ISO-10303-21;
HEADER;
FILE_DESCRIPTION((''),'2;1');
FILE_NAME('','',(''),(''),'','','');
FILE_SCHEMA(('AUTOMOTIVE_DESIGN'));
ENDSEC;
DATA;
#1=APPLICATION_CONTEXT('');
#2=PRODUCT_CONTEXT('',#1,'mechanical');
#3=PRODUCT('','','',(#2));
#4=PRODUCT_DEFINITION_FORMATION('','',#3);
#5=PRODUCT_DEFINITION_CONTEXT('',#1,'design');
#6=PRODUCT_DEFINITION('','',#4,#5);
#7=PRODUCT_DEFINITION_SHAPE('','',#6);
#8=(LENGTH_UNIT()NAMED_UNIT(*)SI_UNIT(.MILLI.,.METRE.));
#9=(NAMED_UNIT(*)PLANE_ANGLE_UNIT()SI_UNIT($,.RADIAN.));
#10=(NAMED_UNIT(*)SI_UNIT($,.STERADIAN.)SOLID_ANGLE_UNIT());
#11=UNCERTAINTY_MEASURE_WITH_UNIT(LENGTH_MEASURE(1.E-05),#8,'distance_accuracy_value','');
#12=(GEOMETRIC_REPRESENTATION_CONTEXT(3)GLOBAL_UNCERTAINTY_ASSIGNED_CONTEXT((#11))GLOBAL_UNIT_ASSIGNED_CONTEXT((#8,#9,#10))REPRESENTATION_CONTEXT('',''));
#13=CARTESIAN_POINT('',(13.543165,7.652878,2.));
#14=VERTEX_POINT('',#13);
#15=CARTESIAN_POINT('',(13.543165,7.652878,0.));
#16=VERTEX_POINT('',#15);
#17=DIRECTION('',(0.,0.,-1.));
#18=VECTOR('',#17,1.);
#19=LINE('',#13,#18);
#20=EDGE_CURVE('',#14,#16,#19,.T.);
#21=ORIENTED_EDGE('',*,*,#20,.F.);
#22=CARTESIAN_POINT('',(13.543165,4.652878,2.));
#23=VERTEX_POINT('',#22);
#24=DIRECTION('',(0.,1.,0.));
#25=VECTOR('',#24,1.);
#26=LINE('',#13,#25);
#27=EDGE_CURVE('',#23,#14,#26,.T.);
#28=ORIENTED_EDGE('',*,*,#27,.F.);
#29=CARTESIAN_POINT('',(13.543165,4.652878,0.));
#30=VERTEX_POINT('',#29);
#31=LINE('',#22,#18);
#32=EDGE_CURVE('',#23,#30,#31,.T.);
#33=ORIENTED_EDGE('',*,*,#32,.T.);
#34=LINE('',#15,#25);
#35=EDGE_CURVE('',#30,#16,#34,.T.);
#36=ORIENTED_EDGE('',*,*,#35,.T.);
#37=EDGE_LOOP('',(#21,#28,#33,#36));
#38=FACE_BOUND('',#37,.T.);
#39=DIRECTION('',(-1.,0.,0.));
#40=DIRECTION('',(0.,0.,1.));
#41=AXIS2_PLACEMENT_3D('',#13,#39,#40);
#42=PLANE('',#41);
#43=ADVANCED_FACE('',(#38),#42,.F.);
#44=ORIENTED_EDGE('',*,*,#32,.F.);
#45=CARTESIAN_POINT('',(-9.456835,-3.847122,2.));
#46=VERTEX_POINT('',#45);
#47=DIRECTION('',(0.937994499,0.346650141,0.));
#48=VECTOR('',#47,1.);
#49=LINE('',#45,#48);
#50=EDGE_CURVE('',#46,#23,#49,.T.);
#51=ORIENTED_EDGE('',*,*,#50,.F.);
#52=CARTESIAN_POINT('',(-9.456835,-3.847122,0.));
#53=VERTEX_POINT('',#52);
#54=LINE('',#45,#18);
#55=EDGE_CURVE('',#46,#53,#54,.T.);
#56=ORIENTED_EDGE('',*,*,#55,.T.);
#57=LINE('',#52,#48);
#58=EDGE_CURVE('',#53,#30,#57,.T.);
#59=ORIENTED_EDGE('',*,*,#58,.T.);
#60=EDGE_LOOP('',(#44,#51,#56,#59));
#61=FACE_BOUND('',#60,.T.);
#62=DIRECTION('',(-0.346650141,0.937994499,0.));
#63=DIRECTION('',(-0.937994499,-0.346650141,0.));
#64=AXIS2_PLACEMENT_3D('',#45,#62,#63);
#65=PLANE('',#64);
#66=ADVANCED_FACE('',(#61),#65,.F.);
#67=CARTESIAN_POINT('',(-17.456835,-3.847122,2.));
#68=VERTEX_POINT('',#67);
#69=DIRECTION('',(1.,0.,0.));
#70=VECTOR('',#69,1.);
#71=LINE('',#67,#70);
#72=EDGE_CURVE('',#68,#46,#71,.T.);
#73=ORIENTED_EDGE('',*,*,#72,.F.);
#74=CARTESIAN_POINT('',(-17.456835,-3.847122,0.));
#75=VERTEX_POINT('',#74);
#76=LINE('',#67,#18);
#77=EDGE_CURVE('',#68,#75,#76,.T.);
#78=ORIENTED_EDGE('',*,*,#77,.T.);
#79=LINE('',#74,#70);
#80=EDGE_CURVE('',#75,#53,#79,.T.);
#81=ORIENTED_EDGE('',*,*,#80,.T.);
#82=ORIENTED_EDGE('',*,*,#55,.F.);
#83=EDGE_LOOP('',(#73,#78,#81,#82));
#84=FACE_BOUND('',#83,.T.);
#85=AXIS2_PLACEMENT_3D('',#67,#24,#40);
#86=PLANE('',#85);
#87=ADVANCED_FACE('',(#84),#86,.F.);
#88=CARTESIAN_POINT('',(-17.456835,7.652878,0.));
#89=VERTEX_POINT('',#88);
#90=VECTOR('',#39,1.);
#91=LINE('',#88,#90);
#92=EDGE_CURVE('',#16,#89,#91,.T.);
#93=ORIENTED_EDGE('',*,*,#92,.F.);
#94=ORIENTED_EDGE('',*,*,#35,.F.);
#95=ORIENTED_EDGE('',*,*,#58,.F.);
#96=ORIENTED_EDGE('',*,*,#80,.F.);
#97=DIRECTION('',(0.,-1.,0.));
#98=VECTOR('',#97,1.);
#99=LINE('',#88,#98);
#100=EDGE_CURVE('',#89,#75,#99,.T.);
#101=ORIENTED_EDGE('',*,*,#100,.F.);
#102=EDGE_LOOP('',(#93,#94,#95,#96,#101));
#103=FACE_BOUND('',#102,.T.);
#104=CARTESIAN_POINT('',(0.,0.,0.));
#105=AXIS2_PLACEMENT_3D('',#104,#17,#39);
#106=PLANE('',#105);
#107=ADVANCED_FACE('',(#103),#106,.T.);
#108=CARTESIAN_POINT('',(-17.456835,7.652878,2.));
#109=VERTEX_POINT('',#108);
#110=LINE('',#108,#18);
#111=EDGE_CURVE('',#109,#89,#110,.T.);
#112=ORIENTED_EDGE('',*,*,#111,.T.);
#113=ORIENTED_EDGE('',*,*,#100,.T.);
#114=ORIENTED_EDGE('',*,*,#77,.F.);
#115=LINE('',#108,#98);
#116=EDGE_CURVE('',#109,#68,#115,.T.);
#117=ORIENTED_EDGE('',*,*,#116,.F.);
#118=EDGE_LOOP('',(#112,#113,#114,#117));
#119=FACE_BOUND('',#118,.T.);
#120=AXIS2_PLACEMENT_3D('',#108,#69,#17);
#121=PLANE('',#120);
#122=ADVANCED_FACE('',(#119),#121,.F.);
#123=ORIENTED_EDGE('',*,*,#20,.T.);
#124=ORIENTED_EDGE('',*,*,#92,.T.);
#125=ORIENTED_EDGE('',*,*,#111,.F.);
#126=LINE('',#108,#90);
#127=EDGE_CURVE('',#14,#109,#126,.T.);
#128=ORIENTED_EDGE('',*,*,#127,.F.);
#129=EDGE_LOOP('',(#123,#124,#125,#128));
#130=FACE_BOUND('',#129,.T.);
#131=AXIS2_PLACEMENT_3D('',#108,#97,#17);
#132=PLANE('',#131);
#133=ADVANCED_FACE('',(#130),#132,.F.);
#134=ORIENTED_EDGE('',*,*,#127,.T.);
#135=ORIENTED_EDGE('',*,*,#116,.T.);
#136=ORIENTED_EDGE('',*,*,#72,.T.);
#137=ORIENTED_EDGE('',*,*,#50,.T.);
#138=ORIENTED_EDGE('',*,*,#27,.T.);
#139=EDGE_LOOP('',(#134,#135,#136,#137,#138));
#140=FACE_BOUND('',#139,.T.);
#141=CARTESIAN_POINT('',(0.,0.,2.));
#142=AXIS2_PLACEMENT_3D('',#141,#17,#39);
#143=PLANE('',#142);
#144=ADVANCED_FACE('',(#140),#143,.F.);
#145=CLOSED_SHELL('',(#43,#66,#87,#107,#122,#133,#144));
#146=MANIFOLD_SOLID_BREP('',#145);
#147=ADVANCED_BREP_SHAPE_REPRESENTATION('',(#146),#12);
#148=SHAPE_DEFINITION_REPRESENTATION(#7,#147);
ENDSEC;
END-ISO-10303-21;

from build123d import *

# Parameters (mm, degrees)
RESSALTO_EXTRUS_O1_DEPTH = 2


with BuildPart() as part:
    # Esboço1 → Ressalto-extrusão1 (new body)
    with BuildSketch(Plane.XY):
        Polygon((-17.456834532, 7.652877698), (-17.456834532, -3.847122302), (-9.456834532, -3.847122302), (13.543165468, 4.652877698), (13.543165468, 7.652877698), align=None)
    extrude(amount=RESSALTO_EXTRUS_O1_DEPTH)


solid = part.part
